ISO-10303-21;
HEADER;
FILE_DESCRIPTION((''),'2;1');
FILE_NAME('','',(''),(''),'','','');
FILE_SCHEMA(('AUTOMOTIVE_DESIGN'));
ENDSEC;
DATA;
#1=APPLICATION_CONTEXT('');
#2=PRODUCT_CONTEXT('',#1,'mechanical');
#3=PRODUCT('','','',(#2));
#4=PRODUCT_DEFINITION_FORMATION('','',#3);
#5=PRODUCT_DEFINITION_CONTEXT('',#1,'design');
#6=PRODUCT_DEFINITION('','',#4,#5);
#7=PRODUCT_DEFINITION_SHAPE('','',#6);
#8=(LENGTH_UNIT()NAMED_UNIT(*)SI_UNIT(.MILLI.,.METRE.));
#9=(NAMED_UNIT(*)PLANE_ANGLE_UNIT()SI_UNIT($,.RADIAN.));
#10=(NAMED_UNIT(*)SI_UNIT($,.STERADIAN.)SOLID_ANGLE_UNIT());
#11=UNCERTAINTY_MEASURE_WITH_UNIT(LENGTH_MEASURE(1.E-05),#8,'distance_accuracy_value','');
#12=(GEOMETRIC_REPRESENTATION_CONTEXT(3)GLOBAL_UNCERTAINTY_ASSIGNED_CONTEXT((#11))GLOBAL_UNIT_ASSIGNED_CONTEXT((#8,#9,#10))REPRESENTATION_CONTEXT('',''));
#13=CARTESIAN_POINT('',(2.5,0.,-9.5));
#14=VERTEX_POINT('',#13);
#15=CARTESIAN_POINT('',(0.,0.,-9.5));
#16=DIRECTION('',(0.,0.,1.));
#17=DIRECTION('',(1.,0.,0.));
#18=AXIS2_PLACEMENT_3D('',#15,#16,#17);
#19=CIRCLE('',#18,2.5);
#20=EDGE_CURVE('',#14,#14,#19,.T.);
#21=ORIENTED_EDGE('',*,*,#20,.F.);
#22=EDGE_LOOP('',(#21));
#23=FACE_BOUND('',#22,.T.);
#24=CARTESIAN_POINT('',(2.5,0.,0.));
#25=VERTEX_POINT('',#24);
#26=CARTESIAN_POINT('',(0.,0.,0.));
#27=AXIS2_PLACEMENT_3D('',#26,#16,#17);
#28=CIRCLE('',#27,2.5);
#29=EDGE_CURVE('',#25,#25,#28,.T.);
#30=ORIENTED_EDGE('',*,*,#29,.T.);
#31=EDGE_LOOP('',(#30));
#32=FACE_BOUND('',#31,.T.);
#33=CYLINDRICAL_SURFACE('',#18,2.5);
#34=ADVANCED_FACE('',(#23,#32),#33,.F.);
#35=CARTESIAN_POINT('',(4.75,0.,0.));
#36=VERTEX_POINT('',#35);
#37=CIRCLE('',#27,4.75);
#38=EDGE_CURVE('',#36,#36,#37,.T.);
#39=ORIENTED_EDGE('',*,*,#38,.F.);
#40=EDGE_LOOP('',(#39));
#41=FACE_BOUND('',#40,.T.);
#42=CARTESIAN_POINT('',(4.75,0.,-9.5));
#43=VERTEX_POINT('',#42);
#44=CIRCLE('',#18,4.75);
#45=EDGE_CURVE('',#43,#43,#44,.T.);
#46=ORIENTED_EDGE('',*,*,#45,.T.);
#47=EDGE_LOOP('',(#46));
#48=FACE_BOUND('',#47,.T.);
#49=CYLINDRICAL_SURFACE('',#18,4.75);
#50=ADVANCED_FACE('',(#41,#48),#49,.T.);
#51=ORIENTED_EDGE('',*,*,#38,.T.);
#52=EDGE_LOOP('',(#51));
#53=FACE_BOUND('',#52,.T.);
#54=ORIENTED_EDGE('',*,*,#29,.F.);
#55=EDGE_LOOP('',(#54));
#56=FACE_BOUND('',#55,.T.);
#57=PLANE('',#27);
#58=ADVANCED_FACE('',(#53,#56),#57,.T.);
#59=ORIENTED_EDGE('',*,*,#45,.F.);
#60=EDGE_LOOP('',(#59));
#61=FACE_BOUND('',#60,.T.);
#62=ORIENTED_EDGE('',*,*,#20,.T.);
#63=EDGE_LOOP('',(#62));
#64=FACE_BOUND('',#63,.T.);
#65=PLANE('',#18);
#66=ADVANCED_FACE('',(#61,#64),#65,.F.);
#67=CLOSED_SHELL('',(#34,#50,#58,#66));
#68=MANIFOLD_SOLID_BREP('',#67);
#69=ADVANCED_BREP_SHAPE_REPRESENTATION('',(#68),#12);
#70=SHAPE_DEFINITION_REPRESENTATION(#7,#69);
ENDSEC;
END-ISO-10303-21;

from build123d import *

# Parameters (mm, degrees)
SKETCH1_R          = 4.75
EXTRUDE1_DEPTH     = 9.5
SKETCH2_R          = 2.5
CUT_EXTRUDE1_DEPTH = 12.635076278


with BuildPart() as part:
    # Sketch1 → Extrude1 (new body)
    with BuildSketch(Plane.XY):
        Circle(SKETCH1_R)
    extrude(amount=-EXTRUDE1_DEPTH)

    # Sketch2 → Cut-Extrude1 (cut, through all)
    with BuildSketch(Plane.XY):
        Circle(SKETCH2_R)
    extrude(amount=-CUT_EXTRUDE1_DEPTH, mode=Mode.SUBTRACT)


solid = part.part
